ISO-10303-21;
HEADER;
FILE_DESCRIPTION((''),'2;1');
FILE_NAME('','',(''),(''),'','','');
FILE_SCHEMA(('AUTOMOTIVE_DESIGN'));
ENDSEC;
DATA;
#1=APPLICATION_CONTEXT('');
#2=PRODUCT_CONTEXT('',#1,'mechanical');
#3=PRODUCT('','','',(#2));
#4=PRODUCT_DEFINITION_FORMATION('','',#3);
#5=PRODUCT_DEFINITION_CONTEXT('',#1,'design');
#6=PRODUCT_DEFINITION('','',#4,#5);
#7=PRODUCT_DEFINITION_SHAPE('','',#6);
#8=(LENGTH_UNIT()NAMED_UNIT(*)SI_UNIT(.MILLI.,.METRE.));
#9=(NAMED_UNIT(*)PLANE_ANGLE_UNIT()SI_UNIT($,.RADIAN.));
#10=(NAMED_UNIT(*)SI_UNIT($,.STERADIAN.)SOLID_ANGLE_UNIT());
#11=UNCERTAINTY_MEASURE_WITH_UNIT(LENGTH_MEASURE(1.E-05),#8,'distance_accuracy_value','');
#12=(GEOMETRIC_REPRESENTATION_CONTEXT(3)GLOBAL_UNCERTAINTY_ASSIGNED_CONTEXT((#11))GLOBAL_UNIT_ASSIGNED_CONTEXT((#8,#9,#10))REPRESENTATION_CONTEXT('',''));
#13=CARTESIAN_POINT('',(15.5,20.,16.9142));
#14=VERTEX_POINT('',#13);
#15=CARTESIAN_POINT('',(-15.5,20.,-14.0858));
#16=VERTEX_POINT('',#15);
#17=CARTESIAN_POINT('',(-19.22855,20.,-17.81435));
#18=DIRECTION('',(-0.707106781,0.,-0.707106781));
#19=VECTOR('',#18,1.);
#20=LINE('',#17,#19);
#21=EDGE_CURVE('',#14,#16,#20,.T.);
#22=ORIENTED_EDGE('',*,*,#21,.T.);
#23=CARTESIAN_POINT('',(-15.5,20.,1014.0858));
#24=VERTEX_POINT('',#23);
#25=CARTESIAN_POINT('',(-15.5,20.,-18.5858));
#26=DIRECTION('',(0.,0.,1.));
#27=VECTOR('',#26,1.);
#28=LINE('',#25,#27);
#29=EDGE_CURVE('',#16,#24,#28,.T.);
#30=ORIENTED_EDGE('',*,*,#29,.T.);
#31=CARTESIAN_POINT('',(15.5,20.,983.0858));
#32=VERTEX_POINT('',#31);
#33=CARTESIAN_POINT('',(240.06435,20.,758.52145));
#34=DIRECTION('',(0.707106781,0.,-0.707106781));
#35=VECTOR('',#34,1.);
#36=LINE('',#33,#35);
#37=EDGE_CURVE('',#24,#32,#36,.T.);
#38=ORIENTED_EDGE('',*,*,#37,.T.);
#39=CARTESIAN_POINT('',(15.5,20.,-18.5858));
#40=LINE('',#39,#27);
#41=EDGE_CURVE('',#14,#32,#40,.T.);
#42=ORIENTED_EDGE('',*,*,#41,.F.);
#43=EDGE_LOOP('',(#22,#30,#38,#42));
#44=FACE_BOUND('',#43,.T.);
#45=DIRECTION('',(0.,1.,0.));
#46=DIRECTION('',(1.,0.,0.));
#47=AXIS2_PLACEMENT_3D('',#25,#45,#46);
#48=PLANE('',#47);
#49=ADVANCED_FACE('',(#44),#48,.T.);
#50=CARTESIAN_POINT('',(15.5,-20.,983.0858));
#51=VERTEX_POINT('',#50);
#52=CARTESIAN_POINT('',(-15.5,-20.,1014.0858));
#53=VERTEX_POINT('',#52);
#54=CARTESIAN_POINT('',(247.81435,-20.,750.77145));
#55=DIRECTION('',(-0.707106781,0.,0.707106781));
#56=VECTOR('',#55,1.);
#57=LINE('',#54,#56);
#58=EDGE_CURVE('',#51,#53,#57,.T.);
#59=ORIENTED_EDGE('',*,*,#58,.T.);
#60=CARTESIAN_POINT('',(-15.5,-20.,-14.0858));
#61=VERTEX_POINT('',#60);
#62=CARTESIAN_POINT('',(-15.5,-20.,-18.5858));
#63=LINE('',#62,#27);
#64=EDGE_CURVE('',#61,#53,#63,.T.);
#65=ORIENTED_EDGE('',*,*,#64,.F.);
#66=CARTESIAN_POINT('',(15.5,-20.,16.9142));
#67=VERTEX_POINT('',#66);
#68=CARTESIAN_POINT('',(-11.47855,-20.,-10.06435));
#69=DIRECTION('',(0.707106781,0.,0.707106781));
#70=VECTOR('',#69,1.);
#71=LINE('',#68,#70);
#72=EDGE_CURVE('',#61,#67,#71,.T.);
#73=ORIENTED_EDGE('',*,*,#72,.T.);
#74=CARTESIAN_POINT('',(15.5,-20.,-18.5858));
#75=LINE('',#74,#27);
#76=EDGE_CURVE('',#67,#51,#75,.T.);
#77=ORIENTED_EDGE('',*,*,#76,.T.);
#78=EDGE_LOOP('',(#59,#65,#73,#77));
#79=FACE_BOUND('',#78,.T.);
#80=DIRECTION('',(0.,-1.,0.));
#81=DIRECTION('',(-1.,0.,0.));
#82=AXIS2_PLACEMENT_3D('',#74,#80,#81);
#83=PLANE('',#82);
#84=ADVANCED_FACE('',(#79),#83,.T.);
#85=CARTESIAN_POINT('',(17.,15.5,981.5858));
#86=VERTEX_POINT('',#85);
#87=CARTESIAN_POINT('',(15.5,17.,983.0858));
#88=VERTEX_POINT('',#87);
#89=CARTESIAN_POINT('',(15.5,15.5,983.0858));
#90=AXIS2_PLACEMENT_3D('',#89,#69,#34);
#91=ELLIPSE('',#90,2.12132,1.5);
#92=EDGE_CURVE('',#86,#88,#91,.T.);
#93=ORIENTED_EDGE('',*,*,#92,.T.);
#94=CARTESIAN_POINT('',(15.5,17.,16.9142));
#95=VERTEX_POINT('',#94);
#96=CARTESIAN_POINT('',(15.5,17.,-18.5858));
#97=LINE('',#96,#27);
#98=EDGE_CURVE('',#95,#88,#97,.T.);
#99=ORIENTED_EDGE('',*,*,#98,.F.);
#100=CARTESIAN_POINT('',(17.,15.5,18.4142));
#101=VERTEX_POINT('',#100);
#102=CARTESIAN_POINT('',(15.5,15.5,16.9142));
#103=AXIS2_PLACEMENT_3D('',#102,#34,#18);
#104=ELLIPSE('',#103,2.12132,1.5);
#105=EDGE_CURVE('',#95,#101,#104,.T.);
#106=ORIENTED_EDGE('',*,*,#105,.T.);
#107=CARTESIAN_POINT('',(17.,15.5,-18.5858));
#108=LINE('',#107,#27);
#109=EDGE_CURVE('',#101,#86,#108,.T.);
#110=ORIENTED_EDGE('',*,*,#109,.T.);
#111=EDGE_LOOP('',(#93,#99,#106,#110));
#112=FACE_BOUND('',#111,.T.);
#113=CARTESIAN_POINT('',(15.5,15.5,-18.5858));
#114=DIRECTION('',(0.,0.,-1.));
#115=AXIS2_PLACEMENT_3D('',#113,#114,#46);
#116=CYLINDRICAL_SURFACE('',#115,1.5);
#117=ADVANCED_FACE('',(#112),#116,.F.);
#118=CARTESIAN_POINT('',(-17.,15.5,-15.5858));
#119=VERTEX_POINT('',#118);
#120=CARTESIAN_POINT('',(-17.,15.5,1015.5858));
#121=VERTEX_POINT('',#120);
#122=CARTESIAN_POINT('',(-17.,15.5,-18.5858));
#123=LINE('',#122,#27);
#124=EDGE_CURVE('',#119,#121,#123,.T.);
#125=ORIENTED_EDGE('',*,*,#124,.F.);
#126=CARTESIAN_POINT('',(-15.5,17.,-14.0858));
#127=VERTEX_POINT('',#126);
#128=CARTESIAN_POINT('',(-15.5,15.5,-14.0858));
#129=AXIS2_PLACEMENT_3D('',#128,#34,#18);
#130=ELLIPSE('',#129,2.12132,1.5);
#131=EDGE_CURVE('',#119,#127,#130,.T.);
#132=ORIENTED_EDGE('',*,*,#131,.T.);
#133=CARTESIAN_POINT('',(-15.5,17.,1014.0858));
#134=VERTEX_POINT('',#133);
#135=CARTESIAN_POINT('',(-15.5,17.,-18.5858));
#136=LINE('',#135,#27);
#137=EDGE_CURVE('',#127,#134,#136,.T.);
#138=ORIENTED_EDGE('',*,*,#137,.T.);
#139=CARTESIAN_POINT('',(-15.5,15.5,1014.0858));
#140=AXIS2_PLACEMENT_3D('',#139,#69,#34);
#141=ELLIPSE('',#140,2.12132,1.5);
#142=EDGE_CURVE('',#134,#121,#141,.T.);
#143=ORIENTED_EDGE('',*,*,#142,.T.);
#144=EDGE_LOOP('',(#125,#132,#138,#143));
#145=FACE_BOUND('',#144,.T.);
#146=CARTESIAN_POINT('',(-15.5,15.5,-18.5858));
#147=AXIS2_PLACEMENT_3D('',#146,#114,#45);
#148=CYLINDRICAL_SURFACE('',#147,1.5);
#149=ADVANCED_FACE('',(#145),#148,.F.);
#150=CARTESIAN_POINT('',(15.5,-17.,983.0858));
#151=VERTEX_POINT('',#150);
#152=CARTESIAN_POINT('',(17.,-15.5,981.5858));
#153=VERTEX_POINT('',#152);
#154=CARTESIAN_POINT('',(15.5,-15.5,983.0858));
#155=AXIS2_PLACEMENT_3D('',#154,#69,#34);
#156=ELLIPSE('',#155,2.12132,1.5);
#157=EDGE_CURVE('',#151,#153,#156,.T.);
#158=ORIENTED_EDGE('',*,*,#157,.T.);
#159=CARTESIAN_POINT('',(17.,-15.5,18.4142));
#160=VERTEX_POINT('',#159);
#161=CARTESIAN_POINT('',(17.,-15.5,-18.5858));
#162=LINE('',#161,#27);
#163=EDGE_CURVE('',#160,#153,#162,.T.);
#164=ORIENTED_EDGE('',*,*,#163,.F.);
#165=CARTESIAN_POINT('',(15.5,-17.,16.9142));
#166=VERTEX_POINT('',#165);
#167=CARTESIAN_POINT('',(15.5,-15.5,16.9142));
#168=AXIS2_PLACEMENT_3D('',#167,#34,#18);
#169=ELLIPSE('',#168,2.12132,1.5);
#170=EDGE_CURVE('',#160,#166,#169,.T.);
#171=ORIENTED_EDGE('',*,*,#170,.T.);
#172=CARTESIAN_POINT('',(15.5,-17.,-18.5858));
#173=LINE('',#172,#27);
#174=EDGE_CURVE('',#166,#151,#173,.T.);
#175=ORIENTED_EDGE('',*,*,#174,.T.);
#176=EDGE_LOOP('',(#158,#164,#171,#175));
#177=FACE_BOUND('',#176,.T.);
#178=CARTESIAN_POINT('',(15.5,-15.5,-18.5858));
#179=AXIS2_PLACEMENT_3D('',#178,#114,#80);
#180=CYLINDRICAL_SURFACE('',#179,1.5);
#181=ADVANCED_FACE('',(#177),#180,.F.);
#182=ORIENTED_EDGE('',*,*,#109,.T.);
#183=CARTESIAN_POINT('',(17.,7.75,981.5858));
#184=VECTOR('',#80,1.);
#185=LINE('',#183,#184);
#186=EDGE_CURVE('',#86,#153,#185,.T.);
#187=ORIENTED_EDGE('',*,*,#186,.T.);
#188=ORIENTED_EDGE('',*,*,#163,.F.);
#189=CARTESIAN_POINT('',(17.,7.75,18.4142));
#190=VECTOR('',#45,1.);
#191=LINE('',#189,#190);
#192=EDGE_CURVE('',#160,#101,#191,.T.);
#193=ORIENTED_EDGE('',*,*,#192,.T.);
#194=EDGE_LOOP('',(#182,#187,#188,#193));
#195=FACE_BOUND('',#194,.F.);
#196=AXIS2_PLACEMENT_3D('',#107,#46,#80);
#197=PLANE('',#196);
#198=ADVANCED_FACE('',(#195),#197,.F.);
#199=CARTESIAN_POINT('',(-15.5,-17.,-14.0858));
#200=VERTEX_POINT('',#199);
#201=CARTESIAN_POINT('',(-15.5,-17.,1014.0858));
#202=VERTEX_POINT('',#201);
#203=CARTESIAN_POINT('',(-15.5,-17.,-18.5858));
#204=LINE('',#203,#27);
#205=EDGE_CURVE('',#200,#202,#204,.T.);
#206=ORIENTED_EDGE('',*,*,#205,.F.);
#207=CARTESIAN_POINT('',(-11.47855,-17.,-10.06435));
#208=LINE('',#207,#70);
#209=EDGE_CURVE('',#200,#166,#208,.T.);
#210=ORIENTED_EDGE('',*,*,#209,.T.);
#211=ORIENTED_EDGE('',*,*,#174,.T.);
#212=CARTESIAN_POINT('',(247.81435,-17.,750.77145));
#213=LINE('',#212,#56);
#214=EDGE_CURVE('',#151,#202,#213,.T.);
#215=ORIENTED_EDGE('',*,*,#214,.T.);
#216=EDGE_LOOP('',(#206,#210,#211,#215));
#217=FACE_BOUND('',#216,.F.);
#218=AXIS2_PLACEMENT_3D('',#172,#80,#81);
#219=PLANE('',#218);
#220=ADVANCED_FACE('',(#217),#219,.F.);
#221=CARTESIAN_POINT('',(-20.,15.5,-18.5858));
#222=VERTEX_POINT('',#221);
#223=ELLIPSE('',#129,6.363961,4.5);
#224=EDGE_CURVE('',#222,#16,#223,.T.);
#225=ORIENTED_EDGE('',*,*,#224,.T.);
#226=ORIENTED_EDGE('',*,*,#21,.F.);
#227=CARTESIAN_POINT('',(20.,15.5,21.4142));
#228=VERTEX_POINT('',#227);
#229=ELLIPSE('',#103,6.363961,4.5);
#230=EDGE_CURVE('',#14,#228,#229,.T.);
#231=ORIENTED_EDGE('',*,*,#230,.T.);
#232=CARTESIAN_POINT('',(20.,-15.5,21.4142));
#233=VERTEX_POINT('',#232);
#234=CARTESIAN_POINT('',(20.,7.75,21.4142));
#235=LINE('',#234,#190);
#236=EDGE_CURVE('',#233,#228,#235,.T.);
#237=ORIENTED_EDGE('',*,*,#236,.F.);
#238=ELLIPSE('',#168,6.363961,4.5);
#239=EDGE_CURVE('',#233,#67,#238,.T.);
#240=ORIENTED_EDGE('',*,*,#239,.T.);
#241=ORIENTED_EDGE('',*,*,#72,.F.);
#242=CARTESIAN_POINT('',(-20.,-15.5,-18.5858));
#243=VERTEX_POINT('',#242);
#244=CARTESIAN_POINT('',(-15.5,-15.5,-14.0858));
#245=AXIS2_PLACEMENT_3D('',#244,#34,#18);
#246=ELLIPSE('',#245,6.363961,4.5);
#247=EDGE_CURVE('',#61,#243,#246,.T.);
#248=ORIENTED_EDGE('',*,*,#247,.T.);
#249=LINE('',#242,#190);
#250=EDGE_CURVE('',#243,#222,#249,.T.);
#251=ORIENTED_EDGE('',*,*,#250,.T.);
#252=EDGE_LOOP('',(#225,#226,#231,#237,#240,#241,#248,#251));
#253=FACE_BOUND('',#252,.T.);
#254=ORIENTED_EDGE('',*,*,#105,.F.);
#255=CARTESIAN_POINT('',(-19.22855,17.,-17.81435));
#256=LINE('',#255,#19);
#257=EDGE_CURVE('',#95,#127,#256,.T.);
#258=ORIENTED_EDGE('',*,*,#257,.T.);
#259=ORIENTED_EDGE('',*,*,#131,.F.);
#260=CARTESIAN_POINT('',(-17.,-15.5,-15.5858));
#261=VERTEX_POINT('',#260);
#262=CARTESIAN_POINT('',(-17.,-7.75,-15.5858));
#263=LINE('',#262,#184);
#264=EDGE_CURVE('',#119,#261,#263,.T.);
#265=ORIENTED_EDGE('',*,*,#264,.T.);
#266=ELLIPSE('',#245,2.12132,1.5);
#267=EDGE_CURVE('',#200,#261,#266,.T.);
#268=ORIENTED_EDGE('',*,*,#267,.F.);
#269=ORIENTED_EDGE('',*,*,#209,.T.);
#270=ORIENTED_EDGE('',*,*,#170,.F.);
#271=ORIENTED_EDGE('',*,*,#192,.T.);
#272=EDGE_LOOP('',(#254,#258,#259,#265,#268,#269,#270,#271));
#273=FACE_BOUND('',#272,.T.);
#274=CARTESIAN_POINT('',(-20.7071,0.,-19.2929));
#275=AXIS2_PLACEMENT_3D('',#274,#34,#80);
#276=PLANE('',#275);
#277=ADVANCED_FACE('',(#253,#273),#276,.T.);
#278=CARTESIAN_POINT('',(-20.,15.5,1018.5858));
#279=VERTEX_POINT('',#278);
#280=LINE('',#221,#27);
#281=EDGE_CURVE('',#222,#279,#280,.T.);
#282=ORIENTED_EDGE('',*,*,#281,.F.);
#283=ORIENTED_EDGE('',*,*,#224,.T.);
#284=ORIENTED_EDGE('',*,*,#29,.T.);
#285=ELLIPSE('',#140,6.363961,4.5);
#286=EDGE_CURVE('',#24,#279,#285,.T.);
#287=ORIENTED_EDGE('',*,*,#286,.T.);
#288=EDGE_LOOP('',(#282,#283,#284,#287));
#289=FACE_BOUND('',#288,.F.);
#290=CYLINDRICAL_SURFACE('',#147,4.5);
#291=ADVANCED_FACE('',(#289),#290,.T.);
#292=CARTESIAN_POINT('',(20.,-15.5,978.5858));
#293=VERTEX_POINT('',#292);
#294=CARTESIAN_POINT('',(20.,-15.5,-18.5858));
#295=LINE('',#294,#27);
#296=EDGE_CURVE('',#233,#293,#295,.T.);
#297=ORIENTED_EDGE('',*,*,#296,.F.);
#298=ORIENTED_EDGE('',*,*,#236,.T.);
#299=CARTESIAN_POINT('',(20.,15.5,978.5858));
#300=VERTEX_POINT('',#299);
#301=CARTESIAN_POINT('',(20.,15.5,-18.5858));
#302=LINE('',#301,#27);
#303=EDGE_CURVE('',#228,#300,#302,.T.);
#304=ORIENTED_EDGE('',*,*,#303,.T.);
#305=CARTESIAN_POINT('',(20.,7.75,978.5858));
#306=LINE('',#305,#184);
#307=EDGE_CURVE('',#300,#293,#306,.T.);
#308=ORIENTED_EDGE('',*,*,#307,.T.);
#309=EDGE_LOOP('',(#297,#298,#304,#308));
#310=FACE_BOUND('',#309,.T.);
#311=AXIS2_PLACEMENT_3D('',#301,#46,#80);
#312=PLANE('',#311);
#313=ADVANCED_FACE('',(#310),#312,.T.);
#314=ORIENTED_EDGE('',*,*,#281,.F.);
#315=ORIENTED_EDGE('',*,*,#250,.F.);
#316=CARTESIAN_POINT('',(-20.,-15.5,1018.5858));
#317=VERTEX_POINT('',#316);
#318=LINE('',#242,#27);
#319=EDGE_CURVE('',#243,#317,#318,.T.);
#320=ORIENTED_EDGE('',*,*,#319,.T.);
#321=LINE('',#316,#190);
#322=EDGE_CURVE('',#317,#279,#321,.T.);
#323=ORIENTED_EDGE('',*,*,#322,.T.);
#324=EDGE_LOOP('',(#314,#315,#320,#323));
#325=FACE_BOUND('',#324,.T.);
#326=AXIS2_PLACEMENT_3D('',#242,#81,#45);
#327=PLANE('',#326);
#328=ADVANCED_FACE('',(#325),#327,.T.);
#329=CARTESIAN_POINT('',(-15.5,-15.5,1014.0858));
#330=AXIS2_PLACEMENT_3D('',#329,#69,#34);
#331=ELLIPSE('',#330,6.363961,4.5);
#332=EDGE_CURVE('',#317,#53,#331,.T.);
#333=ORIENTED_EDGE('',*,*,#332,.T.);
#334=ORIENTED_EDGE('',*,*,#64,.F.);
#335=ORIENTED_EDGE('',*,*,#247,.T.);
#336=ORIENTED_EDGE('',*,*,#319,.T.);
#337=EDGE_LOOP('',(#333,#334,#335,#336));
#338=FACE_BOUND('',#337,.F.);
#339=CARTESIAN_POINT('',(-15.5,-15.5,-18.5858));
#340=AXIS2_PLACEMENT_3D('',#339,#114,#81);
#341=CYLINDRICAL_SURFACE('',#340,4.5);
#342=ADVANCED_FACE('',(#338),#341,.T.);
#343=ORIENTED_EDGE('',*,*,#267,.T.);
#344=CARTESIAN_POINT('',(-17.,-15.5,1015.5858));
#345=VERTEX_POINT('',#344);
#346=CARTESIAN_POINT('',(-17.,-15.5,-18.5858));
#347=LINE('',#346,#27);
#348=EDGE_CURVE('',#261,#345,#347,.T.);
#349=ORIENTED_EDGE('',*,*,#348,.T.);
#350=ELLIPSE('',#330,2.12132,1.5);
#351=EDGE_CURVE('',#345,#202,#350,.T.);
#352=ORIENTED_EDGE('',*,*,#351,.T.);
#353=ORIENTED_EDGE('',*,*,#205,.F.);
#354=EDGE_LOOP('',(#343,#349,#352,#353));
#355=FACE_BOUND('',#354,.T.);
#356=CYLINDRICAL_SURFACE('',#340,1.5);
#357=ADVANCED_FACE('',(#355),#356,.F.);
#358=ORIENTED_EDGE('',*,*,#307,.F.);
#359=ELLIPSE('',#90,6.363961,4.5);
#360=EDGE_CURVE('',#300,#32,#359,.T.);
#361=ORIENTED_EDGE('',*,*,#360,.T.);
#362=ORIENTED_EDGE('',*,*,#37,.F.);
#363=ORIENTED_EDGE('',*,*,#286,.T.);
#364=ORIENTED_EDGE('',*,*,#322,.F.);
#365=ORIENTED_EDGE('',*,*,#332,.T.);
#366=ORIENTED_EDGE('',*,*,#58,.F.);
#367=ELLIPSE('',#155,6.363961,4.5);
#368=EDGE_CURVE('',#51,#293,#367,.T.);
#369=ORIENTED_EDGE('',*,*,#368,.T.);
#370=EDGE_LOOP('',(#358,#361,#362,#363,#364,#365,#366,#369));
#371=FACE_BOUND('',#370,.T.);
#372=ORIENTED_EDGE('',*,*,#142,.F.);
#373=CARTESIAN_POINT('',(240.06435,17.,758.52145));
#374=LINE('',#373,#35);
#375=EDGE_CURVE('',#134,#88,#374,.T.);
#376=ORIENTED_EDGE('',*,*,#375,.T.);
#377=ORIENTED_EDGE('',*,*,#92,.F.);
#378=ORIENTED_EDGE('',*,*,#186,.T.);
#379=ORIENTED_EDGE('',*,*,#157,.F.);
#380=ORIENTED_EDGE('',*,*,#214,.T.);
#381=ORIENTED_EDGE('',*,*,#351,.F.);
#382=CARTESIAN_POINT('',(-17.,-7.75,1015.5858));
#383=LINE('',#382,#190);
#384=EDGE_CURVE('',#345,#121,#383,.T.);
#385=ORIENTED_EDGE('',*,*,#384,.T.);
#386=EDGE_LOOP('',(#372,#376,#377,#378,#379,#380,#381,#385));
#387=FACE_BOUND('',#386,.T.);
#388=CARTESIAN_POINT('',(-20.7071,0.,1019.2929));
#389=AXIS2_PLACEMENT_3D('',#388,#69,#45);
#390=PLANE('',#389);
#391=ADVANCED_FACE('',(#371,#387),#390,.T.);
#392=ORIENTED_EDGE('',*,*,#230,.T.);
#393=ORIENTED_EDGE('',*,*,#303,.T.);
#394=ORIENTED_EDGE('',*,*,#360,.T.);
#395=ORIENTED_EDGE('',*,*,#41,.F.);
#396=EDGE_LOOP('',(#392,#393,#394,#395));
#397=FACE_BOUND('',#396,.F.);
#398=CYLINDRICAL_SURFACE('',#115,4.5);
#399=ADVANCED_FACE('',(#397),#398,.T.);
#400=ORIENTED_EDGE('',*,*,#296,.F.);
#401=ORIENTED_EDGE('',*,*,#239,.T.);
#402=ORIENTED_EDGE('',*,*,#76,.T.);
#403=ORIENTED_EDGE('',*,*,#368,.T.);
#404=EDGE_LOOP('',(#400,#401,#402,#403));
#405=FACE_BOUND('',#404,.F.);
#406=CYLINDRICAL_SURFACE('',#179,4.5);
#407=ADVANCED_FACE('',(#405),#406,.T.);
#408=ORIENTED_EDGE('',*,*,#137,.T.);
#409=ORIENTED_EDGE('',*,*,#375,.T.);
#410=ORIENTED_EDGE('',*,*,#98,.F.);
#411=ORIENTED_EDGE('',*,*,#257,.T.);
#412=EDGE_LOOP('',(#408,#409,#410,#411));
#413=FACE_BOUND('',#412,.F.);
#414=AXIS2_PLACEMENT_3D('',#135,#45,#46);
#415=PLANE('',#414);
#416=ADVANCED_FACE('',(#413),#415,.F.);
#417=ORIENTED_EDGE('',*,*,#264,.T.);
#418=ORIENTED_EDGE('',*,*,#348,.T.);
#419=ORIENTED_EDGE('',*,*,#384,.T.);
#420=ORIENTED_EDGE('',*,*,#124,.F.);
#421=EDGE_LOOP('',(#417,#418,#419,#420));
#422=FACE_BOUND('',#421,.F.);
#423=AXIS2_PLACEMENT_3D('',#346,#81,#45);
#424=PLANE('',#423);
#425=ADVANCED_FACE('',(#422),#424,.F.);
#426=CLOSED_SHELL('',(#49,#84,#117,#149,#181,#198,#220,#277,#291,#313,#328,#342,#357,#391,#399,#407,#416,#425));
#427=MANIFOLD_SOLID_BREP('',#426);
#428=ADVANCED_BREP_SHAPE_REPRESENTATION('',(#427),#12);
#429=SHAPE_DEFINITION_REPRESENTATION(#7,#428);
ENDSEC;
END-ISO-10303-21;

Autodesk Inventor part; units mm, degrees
ref_plane "Start Plane" through (0, 0, -18.5858) normal (0, 0, 1) x (1, 0, 0)
ref_plane "End Plane" through (0, 0, 1018.5858) normal (0, 0, 1) x (1, 0, 0)
sketch "Sketch" plane through (0, 0, 0) normal (0, 0, 1) x (1, 0, 0)
  line L0 (-20, -15.5) -> (-20, 15.5)
  line L1 (-15.5, 20) -> (15.5, 20)
  line L2 (20, 15.5) -> (20, -15.5)
  line L3 (15.5, -20) -> (-15.5, -20)
  arc A0 (-20, -15.5) -> (-15.5, -20) centre (-15.5, -15.5) ccw
  arc A1 (-15.5, 20) -> (-20, 15.5) centre (-15.5, 15.5) ccw
  arc A2 (20, 15.5) -> (15.5, 20) centre (15.5, 15.5) ccw
  arc A3 (15.5, -20) -> (20, -15.5) centre (15.5, -15.5) ccw
  arc A4 (-15.5, 17) -> (-17, 15.5) centre (-15.5, 15.5) ccw
  line L4 (-15.5, 17) -> (15.5, 17)
  arc A5 (17, 15.5) -> (15.5, 17) centre (15.5, 15.5) ccw
  line L5 (17, 15.5) -> (17, -15.5)
  arc A6 (15.5, -17) -> (17, -15.5) centre (15.5, -15.5) ccw
  line L6 (15.5, -17) -> (-15.5, -17)
  arc A7 (-17, -15.5) -> (-15.5, -17) centre (-15.5, -15.5) ccw
  line L7 (-17, -15.5) -> (-17, 15.5)
  line L8 (0, 29.3048) -> (0, -29.3048) construction
  line L9 (-29.3048, 0) -> (29.3048, 0) construction
  dimension "d7" = 4.5
  dimension "d10" = 40
  dimension "d11" = 40
  dimension "d12" = 3
  dimension "d15" = 20
  dimension "d16" = 20
extrude "Body" add sketch "Sketch" along normal up to surface (1037.1716 mm away) from surface at -18.5858
sketch "Sketch3" plane through (0, 0, 0) normal (0, 0, 1) x (1, 0, 0)
  line L0 (0, 0) -> (10, 0)
ref_plane "Work Plane3" through (0, 0, 0) normal (0, -1, 0) x (1, 0, 0)
ref_plane "Work Plane4" through (-20.7071, 0, 1019.2929) normal (0.7071, 0, 0.7071) x (0.7071, 0, -0.7071)
split "Split1" plane through (-20.7071, 0, 1019.2929) removes the side toward (0.7071, 0, 0.7071)
ref_plane "Work Plane5" through (-20.7071, 0, -19.2929) normal (0.7071, 0, -0.7071) x (-0.7071, 0, -0.7071)
split "Split2" plane through (-20.7071, 0, -19.2929) removes the side toward (0.7071, 0, -0.7071)
sketch "Sketch4" plane through (0, 0, 0) normal (0, -1, 0) x (1, 0, 0)
  line L0 (-2, -18.5858) -> (12, -18.5858) projected
  line L1 (-2, 1018.5858) -> (12, 1018.5858) projected
  dimension "d18" = 1037.1716
equation "\"d7\" = G_IR"
equation "\"d10\" = G_H"
equation "\"d11\" = G_W"
equation "\"d12\" = G_T"
equation "\"d15\" = 0.5 * d10"
equation "\"d16\" = 0.5 * d11"
equation "\"d3\" = G_L"
equation "\"G_W\" = 40"
equation "\"G_H\" = 40"
equation "\"G_T\" = 3"
equation "\"G_IR\" = 4.5"
equation "\"G_L\" = d18"
equation "\"G_OFFSET_START\" = 18.58579"
equation "\"G_OFFSET_END\" = 18.58579"
equation "\"d13\" = -G_OFFSET_START"
equation "\"d14\" = G_OFFSET_END + B_L"
equation "\"B_L\" = 1000"
properties part number "ISO 12633-2 - 40x40x3 - 1037,17" material "Steel, Mild"
